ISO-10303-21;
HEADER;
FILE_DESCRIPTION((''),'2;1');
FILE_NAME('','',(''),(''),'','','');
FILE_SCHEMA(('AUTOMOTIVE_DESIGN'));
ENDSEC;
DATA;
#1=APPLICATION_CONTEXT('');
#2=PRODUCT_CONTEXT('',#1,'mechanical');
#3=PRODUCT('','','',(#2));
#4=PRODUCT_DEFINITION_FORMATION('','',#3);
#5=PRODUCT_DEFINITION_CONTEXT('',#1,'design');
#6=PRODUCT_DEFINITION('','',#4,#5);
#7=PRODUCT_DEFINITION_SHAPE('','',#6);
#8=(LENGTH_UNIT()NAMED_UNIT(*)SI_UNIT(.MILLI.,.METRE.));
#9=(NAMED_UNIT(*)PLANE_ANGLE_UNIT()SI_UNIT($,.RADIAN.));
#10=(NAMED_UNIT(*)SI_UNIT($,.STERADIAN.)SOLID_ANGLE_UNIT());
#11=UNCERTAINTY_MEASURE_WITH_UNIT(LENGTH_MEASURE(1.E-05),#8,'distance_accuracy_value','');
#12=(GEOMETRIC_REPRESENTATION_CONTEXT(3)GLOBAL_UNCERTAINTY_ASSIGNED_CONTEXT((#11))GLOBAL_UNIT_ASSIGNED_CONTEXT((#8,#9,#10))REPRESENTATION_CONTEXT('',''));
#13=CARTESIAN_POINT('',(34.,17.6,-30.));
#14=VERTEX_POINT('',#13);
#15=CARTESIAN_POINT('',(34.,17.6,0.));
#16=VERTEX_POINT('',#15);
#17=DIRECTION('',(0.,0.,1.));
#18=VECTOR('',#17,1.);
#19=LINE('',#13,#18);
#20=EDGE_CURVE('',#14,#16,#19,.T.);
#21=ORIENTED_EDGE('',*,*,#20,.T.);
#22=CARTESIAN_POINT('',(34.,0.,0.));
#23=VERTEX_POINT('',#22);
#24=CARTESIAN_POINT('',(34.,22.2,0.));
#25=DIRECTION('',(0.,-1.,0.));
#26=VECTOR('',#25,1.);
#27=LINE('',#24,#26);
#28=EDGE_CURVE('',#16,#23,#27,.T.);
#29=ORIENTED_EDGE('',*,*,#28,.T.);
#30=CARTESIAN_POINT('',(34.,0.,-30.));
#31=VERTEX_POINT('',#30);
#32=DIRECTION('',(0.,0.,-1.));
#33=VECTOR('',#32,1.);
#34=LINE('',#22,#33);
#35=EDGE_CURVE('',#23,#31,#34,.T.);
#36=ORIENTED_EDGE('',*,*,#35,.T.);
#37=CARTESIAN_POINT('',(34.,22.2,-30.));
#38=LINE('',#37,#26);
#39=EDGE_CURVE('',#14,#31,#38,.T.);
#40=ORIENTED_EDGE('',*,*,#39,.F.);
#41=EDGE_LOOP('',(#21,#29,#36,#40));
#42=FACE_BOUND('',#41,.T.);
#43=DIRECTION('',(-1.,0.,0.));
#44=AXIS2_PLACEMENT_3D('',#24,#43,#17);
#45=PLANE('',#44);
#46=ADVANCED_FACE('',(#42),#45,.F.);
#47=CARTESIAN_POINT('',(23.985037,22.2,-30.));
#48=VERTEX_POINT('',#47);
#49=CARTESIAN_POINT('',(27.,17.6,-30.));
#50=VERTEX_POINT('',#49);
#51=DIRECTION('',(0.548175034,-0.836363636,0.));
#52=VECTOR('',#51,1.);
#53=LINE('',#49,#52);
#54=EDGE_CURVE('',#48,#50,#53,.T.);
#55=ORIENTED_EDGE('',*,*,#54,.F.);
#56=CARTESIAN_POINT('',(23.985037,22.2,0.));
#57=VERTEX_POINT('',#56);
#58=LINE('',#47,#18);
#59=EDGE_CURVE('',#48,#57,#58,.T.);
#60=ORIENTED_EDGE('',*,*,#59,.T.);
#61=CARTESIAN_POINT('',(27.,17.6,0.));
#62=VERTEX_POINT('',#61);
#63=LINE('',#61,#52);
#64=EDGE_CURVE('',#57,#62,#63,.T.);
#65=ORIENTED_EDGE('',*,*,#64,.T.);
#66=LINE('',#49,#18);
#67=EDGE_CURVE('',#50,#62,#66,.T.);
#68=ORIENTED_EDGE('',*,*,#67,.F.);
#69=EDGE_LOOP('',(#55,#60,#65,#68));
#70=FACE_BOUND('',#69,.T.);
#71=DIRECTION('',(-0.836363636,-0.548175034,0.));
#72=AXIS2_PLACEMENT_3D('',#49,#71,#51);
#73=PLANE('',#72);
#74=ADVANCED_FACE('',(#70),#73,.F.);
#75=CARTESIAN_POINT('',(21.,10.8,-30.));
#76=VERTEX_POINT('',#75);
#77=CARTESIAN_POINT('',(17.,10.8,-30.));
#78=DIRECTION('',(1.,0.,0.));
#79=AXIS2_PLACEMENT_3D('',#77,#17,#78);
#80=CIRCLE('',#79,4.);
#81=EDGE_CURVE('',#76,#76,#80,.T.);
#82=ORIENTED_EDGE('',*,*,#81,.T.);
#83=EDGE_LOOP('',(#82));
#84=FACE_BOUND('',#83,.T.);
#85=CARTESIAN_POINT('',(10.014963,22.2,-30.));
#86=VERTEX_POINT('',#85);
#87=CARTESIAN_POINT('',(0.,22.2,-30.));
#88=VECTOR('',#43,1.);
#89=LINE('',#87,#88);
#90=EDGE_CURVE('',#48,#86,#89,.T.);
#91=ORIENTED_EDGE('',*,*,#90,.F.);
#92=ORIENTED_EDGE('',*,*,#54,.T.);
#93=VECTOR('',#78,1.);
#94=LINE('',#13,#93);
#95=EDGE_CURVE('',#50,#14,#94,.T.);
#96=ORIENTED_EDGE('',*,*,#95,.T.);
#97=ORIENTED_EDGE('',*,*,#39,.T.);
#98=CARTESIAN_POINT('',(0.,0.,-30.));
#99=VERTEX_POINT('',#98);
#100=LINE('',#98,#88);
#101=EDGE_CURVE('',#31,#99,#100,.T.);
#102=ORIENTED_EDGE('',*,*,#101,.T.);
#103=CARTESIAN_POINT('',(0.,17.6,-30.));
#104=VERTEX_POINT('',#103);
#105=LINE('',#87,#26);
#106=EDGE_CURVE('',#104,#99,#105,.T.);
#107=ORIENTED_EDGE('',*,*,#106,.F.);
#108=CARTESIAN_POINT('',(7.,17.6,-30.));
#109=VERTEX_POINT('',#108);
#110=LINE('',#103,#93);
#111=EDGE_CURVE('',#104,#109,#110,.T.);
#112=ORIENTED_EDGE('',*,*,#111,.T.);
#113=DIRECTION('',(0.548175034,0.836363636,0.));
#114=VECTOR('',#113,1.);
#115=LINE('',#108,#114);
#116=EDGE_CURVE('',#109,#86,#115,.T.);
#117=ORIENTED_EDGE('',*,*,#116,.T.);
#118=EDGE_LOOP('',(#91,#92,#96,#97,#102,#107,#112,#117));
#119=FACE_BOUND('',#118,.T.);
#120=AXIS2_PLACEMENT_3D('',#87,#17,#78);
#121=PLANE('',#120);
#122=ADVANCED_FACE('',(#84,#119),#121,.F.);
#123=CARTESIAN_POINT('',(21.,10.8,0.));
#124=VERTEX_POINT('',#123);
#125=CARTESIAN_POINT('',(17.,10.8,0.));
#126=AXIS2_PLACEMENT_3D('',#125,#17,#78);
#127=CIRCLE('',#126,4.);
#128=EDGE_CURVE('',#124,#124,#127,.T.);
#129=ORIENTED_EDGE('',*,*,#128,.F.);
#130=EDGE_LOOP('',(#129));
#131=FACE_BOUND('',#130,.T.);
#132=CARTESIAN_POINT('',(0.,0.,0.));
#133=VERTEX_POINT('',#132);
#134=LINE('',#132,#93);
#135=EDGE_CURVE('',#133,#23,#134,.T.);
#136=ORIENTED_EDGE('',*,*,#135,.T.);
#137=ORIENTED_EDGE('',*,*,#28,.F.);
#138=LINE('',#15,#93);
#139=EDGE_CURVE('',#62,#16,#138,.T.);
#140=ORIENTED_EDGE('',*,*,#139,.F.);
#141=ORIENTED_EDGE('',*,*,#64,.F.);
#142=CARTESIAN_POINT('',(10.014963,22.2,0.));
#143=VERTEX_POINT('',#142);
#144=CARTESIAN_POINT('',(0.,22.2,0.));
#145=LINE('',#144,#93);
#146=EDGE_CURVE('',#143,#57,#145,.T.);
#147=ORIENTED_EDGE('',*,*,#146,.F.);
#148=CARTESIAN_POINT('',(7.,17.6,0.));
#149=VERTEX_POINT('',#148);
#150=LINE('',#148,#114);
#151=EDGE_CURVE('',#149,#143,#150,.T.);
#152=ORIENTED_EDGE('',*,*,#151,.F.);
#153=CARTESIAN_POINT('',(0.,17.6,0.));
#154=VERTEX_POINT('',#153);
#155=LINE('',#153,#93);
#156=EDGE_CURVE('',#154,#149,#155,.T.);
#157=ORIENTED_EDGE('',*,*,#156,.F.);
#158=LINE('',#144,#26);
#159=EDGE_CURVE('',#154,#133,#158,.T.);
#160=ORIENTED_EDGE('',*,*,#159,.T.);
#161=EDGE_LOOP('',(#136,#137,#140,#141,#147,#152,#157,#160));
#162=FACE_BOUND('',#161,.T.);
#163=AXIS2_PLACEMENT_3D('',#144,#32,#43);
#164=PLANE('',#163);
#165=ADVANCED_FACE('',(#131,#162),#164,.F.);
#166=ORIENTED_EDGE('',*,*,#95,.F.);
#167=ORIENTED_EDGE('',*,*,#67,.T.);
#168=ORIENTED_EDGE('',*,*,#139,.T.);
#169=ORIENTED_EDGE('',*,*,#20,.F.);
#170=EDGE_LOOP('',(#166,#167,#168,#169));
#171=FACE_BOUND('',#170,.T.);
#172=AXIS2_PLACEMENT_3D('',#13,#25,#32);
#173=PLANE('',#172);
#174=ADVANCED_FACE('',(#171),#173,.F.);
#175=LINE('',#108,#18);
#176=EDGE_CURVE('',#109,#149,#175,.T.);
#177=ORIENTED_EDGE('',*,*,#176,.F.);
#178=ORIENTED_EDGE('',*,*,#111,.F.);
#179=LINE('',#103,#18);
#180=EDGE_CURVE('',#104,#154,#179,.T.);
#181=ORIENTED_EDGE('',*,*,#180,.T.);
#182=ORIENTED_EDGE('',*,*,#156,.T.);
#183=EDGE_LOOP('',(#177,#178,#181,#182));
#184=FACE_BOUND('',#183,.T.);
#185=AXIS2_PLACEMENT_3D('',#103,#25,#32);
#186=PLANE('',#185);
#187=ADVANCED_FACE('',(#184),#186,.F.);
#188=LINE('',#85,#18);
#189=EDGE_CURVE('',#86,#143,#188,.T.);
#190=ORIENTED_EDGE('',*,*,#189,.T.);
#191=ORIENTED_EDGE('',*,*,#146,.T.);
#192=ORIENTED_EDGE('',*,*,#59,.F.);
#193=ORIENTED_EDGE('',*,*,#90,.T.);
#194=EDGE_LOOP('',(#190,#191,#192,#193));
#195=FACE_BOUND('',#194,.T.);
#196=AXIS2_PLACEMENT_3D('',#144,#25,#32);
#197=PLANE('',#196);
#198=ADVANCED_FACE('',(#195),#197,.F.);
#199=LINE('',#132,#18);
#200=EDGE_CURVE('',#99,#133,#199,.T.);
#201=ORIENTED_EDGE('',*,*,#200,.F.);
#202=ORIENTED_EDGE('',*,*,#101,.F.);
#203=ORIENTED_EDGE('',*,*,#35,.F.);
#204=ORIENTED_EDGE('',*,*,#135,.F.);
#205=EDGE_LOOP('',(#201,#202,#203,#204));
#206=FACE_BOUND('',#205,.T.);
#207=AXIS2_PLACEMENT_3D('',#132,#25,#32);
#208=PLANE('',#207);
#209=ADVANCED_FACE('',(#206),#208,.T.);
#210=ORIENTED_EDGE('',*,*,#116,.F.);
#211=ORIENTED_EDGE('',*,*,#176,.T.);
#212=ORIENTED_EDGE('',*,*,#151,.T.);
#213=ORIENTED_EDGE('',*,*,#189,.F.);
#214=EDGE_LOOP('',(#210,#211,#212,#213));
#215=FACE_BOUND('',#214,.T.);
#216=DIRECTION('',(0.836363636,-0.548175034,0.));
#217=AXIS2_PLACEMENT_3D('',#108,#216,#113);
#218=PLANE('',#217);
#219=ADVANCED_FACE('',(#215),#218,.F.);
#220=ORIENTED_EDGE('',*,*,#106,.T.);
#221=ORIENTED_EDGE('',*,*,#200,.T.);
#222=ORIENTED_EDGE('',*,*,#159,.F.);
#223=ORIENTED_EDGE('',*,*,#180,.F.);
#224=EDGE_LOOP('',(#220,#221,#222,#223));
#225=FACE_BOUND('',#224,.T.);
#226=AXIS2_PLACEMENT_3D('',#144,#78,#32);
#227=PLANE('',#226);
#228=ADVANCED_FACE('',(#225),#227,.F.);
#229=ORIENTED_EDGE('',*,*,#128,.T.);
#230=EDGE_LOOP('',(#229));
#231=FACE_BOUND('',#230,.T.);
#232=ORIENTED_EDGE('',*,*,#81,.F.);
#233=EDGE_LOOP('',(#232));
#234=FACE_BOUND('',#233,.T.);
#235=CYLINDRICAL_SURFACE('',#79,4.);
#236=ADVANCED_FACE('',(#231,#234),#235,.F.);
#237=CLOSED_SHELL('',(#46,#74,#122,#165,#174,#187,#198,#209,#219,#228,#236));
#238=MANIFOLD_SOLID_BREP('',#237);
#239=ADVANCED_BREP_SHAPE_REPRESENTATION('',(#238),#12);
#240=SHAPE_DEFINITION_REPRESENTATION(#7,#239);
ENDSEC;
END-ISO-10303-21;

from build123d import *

# Parameters (mm, degrees)
SKETCH1_W           = 34
SKETCH1_H           = 30
BOSS_EXTRUDE1_DEPTH = 22.2
CUT_EXTRUDE1_DEPTH  = 51.486037674
SKETCH3_R           = 4
CUT_EXTRUDE2_DEPTH  = 51.486037674


with BuildPart() as part:
    # Sketch1 → Boss-Extrude1 (new body)
    with BuildSketch(Plane(origin=(0, 0, 0), x_dir=(1, 0, 0), z_dir=(0, 1, 0))):
        with Locations((17, 15)):
            Rectangle(SKETCH1_W, SKETCH1_H)
    extrude(amount=BOSS_EXTRUDE1_DEPTH)

    # Sketch2 → Cut-Extrude1 (cut, through all)
    with BuildSketch(Plane.XY):
        Polygon((34, 17.6), (27, 17.6), (23.985037314, 22.2), (34, 22.2), align=None)
        Polygon((0, 22.2), (0, 17.6), (7, 17.6), (10.014962686, 22.2), align=None)
    extrude(amount=-CUT_EXTRUDE1_DEPTH, mode=Mode.SUBTRACT)

    # Sketch3 → Cut-Extrude2 (cut, through all)
    with BuildSketch(Plane.XY):
        with Locations((17, 10.8)):
            Circle(SKETCH3_R)
    extrude(amount=-CUT_EXTRUDE2_DEPTH, mode=Mode.SUBTRACT)


solid = part.part
